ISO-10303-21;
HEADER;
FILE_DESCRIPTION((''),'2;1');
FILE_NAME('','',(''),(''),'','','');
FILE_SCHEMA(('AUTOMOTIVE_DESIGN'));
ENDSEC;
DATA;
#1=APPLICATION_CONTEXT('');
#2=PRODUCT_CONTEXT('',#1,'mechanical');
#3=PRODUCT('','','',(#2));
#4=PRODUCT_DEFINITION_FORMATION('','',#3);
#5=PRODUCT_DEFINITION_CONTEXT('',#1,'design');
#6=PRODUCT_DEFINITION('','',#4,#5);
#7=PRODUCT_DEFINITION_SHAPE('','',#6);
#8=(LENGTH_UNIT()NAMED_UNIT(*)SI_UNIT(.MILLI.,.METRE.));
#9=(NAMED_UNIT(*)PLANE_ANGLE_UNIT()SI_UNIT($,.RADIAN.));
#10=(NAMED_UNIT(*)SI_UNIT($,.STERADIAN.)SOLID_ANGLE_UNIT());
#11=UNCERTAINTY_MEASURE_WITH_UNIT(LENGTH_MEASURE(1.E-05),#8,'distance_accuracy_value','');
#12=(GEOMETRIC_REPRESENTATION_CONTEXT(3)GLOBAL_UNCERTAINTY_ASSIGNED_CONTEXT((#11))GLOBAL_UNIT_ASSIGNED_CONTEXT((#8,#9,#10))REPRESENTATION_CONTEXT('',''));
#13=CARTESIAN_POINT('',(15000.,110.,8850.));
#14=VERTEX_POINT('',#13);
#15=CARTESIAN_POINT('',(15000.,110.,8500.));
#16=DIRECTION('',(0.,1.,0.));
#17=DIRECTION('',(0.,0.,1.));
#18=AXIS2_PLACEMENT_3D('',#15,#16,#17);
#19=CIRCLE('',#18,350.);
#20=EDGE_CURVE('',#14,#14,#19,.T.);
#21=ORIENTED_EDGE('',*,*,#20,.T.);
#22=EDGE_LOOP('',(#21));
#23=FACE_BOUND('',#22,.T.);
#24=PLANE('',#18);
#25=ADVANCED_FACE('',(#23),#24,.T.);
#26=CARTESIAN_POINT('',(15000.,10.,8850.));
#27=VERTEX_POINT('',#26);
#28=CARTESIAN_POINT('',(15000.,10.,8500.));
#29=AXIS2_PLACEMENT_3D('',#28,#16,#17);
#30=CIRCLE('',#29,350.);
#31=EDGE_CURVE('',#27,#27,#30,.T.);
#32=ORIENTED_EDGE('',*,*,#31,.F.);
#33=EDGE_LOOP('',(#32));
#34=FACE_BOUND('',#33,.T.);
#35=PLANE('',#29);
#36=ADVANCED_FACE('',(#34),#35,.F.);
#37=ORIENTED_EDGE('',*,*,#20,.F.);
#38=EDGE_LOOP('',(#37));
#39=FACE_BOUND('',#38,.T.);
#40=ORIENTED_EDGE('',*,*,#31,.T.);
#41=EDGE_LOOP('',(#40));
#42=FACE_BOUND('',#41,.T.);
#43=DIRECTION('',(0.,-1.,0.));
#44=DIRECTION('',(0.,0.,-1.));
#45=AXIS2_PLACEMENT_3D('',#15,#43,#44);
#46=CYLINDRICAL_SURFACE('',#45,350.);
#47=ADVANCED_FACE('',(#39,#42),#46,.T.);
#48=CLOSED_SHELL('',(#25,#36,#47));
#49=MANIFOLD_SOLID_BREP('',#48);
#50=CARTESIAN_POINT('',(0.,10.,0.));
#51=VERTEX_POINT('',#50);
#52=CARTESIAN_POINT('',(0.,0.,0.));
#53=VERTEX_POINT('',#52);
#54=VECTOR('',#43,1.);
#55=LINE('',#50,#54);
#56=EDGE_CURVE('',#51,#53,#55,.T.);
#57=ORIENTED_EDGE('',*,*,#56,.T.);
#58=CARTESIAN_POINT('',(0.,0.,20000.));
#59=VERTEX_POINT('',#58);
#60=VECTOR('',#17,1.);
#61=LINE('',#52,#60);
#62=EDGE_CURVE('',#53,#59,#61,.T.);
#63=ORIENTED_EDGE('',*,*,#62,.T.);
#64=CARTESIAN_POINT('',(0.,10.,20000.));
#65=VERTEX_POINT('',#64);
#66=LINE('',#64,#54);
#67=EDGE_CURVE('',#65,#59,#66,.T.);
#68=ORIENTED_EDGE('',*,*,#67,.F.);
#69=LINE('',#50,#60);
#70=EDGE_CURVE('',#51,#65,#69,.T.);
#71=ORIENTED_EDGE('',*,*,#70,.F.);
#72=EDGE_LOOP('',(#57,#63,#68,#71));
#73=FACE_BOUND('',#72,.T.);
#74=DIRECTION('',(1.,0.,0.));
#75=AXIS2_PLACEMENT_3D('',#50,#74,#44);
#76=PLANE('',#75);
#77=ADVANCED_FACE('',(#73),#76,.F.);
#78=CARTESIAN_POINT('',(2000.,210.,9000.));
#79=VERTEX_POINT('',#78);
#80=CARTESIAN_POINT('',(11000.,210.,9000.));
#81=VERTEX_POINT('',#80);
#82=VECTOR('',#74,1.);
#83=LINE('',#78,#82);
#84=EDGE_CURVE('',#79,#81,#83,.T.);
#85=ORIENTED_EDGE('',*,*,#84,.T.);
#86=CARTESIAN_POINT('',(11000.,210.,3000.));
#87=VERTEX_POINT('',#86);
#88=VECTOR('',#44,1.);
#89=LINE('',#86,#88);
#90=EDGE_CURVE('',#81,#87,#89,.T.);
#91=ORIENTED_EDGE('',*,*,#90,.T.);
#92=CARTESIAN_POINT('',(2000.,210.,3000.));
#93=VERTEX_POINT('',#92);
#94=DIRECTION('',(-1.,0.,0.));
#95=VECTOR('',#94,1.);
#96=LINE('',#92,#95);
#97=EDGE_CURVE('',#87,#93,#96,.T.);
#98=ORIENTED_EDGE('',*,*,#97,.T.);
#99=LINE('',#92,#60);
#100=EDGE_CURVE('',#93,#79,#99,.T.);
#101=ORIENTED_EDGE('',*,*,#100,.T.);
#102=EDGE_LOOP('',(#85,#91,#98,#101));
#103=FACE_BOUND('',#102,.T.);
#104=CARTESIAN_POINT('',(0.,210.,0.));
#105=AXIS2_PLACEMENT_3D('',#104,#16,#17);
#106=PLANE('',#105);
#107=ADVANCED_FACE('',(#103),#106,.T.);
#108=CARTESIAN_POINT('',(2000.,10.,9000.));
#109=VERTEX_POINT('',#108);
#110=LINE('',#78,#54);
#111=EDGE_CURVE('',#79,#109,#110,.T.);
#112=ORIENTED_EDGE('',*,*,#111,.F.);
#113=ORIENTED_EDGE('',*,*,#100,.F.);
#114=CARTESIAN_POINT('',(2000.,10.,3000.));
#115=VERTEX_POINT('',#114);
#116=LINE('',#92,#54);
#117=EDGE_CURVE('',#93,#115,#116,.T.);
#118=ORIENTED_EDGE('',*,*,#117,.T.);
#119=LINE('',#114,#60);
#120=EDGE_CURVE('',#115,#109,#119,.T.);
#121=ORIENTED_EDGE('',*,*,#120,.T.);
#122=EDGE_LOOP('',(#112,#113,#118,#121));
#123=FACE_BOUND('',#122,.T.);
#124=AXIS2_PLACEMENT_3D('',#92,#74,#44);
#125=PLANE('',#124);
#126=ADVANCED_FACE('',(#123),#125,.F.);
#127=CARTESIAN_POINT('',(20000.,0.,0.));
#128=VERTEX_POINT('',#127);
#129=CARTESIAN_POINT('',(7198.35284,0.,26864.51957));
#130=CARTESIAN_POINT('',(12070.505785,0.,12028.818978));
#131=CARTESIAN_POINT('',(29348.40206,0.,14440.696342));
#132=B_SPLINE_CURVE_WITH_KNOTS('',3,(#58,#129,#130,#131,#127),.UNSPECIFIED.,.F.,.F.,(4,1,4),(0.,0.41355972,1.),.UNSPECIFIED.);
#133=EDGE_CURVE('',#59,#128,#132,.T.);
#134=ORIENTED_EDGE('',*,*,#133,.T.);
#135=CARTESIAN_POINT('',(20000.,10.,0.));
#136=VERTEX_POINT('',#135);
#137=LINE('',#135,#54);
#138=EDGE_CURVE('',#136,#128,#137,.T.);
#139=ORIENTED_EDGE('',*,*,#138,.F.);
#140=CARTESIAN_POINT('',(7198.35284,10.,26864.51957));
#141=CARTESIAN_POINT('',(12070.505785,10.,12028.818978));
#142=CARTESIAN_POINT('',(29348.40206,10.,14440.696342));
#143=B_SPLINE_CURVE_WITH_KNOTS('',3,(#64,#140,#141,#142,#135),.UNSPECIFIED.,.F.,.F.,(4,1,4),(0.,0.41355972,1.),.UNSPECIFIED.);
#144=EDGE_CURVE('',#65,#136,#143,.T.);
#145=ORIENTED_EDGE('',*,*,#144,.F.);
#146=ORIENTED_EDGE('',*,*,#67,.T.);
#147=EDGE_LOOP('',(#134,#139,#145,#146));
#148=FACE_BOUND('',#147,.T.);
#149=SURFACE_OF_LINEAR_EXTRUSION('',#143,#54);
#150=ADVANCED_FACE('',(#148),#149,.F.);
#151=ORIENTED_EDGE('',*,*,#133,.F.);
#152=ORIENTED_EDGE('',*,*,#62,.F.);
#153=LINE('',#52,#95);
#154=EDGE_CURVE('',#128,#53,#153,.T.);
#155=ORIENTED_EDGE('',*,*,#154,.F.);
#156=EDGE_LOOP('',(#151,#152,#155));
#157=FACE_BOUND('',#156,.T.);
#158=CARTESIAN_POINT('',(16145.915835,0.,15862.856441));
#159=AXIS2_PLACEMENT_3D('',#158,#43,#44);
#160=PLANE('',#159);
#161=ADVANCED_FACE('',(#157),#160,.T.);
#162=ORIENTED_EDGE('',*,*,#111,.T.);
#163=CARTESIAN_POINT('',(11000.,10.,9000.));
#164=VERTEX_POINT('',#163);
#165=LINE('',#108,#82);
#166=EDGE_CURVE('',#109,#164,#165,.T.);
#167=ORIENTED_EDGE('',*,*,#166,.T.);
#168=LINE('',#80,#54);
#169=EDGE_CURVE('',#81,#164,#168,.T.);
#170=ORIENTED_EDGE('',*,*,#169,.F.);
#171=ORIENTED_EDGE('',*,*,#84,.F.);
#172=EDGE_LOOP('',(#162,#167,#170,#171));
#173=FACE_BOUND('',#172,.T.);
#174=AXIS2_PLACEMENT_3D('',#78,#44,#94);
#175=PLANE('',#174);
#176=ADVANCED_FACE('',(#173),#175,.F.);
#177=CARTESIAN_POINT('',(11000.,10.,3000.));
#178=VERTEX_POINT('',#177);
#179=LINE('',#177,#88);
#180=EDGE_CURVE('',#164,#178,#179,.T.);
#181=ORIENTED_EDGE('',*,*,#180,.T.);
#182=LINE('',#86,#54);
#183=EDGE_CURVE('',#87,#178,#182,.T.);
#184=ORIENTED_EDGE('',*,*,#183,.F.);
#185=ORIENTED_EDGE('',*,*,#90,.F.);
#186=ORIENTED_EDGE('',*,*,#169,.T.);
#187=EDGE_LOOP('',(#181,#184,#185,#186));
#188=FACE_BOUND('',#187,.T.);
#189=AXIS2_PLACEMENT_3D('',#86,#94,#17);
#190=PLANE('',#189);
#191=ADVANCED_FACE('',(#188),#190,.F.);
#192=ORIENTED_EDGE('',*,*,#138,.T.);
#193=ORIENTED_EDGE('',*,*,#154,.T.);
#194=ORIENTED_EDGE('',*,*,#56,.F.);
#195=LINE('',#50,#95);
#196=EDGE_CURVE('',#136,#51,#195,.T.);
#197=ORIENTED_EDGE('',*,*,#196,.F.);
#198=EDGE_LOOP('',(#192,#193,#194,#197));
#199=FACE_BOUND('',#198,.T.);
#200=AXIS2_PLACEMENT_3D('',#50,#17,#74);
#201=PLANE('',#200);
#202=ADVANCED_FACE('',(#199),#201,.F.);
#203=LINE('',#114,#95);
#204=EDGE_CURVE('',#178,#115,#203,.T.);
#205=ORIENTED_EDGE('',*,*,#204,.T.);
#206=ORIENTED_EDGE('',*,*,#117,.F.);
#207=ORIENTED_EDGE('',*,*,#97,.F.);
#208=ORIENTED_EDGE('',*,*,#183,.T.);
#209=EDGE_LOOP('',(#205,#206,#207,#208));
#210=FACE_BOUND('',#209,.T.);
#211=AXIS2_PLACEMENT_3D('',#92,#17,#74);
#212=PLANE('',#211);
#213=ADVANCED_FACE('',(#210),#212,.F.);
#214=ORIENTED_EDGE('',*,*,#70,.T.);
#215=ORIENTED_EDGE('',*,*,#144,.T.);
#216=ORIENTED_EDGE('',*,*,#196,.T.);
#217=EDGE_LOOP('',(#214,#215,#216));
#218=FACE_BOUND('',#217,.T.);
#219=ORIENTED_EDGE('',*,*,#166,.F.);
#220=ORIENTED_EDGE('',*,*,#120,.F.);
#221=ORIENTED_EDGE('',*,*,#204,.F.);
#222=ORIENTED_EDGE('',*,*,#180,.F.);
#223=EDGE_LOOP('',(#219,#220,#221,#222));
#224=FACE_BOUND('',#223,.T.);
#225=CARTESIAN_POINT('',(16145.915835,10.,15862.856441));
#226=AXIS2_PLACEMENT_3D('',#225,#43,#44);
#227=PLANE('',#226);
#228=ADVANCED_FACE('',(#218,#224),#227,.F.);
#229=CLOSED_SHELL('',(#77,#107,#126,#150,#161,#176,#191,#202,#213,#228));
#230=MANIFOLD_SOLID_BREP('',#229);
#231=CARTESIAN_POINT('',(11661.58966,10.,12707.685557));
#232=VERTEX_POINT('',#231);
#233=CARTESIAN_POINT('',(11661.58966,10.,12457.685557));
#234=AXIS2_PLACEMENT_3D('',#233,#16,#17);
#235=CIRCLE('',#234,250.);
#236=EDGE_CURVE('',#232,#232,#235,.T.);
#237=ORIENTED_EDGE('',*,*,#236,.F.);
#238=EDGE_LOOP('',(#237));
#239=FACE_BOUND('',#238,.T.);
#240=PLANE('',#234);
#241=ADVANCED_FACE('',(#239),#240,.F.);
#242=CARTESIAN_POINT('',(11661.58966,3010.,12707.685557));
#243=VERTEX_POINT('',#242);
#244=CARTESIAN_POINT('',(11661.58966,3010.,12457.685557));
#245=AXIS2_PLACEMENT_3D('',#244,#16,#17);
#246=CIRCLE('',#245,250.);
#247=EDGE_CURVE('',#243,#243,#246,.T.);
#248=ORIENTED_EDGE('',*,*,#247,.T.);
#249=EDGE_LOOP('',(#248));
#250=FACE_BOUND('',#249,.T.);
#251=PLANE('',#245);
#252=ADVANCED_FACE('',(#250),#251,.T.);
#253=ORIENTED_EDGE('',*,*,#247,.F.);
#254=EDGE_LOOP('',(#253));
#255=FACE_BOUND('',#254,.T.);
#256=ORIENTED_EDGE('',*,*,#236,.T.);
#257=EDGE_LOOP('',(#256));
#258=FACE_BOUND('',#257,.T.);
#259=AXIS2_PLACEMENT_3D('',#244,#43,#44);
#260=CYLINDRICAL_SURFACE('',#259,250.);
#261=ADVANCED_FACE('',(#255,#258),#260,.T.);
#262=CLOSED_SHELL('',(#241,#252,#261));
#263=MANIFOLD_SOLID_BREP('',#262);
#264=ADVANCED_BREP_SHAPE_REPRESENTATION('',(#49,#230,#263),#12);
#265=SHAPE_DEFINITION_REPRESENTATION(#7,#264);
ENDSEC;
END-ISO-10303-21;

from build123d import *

# Parameters (mm, degrees)
EXTRUDE_1_DEPTH = 10
SKETCH_2_W      = 9000
SKETCH_2_H      = 6000
EXTRUDE_2_DEPTH = 200
SKETCH_3_R      = 350
EXTRUDE_3_DEPTH = 100
SKETCH_4_R      = 250
EXTRUDE_4_DEPTH = 3000


with BuildPart() as part:
    # Эскиз1 → Бобышка-Вытянуть1 (new body)
    with BuildSketch(Plane(origin=(0, 0, 0), x_dir=(1, 0, 0), z_dir=(0, 1, 0))):
        with BuildLine():
            Line((0, 0), (20000, 0))
            add(Edge.make_bspline(
                [(0, -20000), (7198.35283971, -26864.519570208), (12070.505785396, -12028.818977693), (29348.40206024, -14440.696342407), (20000, 0)],
                knots=[0, 0, 0, 0, 0.41355972, 1, 1, 1, 1], degree=3))
            Line((0, -20000), (0, 0))
        make_face()
    extrude(amount=EXTRUDE_1_DEPTH)

    # Эскиз2 → Бобышка-Вытянуть2 (add)
    with BuildSketch(Plane(origin=(0, 10, 0), x_dir=(1, 0, 0), z_dir=(0, 1, 0))):
        with Locations((6500, -6000)):
            Rectangle(SKETCH_2_W, SKETCH_2_H)
    extrude(amount=EXTRUDE_2_DEPTH)


with BuildPart() as body_2:
    # Эскиз3 → Бобышка-Вытянуть3 (new body)
    with BuildSketch(Plane(origin=(0, 10, 0), x_dir=(1, 0, 0), z_dir=(0, 1, 0))):
        with Locations(Location((15000, -8500, 0), (0, 0, 270))):
            Circle(SKETCH_3_R)
    extrude(amount=EXTRUDE_3_DEPTH)


with BuildPart() as body_3:
    # Эскиз4 → Бобышка-Вытянуть4 (new body)
    with BuildSketch(Plane(origin=(0, 10, 0), x_dir=(1, 0, 0), z_dir=(0, 1, 0))):
        with Locations(Location((11661.589659751, -12457.685557089, 0), (0, 0, 270))):
            Circle(SKETCH_4_R)
    extrude(amount=EXTRUDE_4_DEPTH)


solid = Compound([part.part, body_2.part, body_3.part])
